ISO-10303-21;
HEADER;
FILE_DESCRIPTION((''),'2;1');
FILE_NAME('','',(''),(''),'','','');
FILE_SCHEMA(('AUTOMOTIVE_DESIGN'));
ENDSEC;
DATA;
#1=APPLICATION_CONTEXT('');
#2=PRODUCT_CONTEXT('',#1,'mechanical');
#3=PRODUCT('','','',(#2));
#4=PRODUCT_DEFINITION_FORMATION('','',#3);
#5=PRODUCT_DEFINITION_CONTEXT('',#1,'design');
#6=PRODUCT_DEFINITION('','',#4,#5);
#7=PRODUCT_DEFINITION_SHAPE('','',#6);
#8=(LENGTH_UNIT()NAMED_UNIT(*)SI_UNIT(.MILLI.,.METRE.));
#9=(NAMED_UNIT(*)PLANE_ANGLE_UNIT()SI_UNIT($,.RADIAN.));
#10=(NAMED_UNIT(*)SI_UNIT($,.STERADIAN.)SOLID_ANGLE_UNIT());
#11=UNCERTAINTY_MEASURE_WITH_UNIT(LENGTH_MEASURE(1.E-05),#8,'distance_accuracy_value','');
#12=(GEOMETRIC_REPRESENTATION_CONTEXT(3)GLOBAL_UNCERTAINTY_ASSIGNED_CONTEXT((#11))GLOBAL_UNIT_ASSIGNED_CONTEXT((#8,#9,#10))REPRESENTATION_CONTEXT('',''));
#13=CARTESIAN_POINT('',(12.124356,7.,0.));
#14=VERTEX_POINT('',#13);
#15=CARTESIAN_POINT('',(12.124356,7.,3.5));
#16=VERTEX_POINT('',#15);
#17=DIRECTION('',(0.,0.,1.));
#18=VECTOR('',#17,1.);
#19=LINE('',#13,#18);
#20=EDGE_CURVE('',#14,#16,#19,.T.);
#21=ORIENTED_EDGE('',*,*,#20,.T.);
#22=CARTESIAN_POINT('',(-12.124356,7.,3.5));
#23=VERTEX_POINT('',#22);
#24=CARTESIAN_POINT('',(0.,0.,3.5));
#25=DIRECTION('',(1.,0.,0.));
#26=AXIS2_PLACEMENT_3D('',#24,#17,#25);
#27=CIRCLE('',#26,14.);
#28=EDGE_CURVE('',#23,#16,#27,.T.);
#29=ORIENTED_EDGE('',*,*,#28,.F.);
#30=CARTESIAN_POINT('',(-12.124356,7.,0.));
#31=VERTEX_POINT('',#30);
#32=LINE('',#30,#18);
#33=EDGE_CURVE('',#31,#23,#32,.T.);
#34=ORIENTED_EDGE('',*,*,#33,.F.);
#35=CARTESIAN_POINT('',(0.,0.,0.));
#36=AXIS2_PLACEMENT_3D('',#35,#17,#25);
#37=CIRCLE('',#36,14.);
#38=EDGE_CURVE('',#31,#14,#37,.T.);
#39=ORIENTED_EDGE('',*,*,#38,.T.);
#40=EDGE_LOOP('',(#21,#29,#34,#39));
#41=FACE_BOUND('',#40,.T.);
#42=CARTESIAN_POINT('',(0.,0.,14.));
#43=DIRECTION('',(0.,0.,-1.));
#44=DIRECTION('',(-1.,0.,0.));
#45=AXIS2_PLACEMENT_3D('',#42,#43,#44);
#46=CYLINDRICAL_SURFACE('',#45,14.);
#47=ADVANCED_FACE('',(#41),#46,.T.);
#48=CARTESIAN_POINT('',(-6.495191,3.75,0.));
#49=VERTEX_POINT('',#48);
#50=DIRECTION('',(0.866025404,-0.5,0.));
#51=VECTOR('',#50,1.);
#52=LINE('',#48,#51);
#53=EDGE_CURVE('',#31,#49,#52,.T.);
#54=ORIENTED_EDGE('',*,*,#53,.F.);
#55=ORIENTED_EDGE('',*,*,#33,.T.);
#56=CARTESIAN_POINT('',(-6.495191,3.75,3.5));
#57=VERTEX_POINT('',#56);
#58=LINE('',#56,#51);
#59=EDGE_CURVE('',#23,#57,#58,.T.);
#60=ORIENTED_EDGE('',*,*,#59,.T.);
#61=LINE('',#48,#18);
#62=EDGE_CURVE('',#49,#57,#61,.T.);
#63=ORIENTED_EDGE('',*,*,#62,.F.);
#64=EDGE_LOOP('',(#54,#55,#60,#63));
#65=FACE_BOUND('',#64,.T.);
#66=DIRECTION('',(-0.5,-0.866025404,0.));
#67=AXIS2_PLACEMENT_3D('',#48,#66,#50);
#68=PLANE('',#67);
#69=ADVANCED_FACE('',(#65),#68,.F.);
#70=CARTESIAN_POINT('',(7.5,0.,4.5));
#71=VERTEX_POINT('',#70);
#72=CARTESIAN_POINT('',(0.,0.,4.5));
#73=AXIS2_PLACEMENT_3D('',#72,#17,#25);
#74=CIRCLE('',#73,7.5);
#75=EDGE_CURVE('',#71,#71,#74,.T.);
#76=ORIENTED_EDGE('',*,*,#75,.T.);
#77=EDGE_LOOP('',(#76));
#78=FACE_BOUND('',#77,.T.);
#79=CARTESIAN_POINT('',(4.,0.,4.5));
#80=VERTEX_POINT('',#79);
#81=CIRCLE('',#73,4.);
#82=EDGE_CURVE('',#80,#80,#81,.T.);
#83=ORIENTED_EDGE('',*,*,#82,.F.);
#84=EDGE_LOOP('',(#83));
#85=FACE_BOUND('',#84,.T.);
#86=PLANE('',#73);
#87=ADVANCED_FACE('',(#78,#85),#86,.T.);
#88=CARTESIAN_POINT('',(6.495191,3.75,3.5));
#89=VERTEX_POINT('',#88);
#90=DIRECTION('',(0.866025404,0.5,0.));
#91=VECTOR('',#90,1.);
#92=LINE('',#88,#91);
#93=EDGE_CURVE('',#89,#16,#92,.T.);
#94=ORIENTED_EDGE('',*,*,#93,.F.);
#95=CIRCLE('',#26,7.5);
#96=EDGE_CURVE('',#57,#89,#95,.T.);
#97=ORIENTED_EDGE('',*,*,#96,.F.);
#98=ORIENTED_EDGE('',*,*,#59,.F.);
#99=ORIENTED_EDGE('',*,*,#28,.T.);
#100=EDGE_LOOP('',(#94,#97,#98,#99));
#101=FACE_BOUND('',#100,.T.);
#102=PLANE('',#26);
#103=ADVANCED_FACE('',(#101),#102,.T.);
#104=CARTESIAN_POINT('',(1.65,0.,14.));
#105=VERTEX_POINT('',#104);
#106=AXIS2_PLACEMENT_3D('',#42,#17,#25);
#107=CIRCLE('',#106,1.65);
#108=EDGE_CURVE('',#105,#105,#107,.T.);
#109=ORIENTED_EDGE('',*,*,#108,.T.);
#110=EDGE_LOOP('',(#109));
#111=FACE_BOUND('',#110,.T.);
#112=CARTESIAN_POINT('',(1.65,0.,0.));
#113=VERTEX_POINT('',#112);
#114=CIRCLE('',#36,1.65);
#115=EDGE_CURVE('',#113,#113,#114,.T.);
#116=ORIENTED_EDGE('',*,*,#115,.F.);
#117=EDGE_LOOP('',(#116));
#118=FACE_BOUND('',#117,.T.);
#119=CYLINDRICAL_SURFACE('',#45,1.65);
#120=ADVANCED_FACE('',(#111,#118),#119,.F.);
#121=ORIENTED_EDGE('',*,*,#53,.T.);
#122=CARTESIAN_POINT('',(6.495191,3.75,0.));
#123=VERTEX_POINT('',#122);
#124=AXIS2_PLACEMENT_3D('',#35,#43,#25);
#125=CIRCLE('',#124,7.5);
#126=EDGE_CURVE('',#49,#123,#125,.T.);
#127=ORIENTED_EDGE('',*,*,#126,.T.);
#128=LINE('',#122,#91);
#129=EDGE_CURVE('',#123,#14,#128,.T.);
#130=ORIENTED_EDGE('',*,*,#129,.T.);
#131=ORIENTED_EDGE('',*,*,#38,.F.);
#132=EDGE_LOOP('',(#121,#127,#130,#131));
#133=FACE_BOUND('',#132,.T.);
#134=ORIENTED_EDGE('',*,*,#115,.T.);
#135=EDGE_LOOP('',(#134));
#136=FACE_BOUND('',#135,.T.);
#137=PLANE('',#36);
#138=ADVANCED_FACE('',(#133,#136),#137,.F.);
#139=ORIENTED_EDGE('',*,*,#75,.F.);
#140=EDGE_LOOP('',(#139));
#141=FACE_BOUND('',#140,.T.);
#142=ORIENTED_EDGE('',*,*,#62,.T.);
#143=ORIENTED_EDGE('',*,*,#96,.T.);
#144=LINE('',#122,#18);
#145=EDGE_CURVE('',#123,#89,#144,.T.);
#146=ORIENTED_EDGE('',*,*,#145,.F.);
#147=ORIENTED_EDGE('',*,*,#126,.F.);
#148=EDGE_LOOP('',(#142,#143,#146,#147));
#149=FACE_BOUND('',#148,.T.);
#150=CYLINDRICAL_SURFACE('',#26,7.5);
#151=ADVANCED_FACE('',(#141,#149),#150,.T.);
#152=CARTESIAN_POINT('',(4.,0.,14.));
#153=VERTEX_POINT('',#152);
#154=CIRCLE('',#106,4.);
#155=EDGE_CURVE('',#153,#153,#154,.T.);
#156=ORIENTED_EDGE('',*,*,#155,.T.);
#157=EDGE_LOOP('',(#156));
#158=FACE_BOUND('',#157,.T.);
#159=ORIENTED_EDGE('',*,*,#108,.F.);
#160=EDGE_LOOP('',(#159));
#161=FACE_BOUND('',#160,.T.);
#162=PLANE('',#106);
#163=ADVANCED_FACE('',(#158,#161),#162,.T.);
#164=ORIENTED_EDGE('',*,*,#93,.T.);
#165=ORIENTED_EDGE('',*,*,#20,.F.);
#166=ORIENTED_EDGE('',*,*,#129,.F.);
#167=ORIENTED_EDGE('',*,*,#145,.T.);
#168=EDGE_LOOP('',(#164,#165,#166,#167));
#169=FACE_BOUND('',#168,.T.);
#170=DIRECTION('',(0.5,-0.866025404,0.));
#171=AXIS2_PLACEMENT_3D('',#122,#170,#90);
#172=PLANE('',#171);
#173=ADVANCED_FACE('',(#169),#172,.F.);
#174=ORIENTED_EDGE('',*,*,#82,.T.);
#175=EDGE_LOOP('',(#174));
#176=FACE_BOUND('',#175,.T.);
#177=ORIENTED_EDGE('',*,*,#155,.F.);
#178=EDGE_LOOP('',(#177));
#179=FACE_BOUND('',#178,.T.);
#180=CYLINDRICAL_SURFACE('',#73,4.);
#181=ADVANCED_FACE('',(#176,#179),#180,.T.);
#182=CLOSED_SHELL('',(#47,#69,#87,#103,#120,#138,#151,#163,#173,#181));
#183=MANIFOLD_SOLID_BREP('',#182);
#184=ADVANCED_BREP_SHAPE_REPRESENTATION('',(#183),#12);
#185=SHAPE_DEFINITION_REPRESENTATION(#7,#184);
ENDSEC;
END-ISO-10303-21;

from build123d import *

# Parameters (mm, degrees)
SKETCH1_R           = 14
SKETCH1_R_2         = 1.65
BOSS_EXTRUDE1_DEPTH = 14
SKETCH2_R           = 14
SKETCH2_R_2         = 4
CUT_EXTRUDE1_DEPTH  = 9.5
SKETCH3_R           = 14
SKETCH3_R_2         = 7.5
CUT_EXTRUDE2_DEPTH  = 1
CUT_EXTRUDE3_DEPTH  = 4.5


with BuildPart() as part:
    # Sketch1 → Boss-Extrude1 (new body)
    with BuildSketch(Plane.XY):
        Circle(SKETCH1_R)
        Circle(SKETCH1_R_2, mode=Mode.SUBTRACT)
    extrude(amount=BOSS_EXTRUDE1_DEPTH)

    # Sketch2 → Cut-Extrude1 (cut)
    with BuildSketch(Plane.XY.offset(14)):
        Circle(SKETCH2_R)
        Circle(SKETCH2_R_2, mode=Mode.SUBTRACT)
    extrude(amount=-CUT_EXTRUDE1_DEPTH, mode=Mode.SUBTRACT)

    # Sketch3 → Cut-Extrude2 (cut)
    with BuildSketch(Plane.XY.offset(4.5)):
        Circle(SKETCH3_R)
        Circle(SKETCH3_R_2, mode=Mode.SUBTRACT)
    extrude(amount=-CUT_EXTRUDE2_DEPTH, mode=Mode.SUBTRACT)

    # Sketch4 → Cut-Extrude3 (cut, through all)
    with BuildSketch(Plane.XY.offset(3.5)):
        with BuildLine():
            Line((6.495190528, 3.75), (12.124355653, 7))
            ThreePointArc((12.124355653, 7), (0, 14), (-12.124355653, 7))
            Line((-12.124355653, 7), (-6.495190528, 3.75))
            ThreePointArc((-6.495190528, 3.75), (0, 7.5), (6.495190528, 3.75))
        make_face()
    extrude(amount=-CUT_EXTRUDE3_DEPTH, mode=Mode.SUBTRACT)


solid = part.part
